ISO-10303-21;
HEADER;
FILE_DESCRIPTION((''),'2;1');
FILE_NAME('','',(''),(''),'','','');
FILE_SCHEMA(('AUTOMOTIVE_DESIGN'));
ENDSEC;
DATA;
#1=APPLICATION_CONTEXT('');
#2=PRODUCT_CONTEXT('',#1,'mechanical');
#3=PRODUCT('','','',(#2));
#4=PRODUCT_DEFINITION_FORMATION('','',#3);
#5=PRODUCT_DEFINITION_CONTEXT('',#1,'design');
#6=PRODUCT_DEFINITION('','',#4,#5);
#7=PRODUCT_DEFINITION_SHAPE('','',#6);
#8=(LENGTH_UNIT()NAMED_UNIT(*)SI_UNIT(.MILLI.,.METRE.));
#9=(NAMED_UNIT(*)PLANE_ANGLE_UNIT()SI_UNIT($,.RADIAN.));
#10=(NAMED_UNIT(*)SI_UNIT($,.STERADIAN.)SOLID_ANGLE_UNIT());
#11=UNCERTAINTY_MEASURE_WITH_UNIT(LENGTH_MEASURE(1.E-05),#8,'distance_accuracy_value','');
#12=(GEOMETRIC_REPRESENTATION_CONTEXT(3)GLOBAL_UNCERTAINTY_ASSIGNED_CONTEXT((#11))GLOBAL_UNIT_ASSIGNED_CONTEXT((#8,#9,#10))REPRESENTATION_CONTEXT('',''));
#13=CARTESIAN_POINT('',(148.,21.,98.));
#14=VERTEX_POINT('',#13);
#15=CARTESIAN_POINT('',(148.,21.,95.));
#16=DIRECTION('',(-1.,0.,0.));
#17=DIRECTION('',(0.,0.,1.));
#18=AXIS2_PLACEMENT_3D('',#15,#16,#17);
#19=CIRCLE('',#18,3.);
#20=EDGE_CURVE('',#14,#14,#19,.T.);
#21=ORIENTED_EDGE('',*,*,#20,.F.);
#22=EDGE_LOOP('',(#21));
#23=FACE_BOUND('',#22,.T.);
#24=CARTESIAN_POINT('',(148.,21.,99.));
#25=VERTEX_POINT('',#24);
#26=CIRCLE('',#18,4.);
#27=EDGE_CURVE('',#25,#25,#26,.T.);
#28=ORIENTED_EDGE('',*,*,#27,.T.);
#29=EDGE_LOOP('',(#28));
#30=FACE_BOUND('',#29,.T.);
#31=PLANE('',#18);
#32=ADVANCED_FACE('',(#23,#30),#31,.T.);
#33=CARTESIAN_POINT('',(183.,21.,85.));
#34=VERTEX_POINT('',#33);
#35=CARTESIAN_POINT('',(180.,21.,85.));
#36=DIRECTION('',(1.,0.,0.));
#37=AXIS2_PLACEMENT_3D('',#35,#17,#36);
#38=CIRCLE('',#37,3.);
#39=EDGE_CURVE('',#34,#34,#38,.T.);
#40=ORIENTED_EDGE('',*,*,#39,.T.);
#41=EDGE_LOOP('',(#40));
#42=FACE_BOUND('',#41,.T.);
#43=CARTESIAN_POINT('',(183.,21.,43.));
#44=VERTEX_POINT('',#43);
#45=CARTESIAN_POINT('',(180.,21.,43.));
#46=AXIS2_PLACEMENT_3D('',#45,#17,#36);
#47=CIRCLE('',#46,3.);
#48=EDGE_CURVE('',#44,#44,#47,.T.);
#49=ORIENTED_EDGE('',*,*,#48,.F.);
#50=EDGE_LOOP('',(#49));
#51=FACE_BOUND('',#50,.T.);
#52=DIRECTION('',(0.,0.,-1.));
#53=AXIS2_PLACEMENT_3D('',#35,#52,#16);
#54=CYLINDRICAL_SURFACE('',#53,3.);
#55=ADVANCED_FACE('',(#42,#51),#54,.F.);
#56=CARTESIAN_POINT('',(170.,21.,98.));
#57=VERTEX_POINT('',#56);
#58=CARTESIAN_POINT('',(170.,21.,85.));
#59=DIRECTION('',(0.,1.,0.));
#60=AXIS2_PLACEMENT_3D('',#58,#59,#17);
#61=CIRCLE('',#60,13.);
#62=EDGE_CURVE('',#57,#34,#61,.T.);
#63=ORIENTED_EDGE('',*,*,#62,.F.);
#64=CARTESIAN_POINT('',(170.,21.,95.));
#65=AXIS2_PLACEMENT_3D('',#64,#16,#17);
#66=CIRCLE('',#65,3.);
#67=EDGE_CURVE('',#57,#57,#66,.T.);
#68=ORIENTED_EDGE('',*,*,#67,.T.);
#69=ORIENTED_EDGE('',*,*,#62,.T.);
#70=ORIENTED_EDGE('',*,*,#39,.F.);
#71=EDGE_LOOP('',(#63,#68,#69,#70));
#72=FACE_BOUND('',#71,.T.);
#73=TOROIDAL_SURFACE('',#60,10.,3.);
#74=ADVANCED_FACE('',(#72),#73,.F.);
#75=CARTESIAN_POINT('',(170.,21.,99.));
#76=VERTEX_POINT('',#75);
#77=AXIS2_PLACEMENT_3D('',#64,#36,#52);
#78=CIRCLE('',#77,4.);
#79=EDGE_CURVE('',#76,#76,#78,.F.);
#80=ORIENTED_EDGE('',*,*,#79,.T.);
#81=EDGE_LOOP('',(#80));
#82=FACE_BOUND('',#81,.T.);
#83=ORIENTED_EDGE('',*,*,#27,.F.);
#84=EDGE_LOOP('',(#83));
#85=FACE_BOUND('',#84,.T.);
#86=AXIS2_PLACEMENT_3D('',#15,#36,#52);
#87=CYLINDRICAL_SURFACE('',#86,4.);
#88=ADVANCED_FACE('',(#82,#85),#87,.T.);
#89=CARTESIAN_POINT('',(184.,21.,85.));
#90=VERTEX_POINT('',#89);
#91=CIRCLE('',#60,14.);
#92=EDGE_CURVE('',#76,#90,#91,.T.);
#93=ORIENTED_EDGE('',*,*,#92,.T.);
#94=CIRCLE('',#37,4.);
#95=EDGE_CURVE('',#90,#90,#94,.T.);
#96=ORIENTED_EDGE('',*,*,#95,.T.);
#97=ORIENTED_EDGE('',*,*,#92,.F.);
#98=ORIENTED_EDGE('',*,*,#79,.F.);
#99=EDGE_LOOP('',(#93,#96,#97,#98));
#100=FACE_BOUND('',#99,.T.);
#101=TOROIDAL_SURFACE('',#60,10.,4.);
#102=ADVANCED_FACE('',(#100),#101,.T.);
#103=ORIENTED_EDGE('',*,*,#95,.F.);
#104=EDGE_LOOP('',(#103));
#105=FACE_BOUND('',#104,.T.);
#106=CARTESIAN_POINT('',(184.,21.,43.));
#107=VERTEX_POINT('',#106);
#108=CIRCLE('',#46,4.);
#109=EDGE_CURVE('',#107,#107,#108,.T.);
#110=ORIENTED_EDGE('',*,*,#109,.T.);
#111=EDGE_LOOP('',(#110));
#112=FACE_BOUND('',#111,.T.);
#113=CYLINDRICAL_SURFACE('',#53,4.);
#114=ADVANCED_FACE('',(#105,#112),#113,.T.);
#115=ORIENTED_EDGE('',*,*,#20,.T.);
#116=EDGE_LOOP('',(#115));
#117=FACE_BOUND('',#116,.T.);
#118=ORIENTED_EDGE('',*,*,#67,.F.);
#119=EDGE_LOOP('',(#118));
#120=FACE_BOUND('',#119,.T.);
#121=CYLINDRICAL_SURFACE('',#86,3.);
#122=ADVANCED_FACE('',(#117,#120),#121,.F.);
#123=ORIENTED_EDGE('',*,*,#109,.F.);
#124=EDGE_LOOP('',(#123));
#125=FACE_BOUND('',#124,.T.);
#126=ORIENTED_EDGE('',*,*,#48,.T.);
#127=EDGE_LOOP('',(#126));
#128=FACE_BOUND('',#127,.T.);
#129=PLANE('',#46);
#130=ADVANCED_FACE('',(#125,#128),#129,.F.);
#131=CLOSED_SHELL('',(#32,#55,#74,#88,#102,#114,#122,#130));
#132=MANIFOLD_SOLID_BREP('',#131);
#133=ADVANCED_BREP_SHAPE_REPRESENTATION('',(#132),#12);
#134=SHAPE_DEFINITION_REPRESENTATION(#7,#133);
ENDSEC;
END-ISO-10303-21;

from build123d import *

# Parameters (mm, degrees)
TUBE_PROFILE_R   = 4
TUBE_PROFILE_R_2 = 3


with BuildPart() as part:
    # Tube: sweep along a curve in space
    with BuildLine() as tube_path:
        Line((148, 21, 95), (170, 21, 95))
        ThreePointArc((180, 21, 85), (177.071067812, 21, 92.071067812), (170, 21, 95))
        Line((180, 21, 85), (180, 21, 43))
    # Tube profile (on start of the path) → Tube (sweep)
    with BuildSketch(Plane(origin=(148, 21, 95), x_dir=(0, 0, 1), z_dir=(1, 0, 0))):
        Circle(TUBE_PROFILE_R)
        Circle(TUBE_PROFILE_R_2, mode=Mode.SUBTRACT)
    sweep(path=tube_path.line)


solid = part.part
